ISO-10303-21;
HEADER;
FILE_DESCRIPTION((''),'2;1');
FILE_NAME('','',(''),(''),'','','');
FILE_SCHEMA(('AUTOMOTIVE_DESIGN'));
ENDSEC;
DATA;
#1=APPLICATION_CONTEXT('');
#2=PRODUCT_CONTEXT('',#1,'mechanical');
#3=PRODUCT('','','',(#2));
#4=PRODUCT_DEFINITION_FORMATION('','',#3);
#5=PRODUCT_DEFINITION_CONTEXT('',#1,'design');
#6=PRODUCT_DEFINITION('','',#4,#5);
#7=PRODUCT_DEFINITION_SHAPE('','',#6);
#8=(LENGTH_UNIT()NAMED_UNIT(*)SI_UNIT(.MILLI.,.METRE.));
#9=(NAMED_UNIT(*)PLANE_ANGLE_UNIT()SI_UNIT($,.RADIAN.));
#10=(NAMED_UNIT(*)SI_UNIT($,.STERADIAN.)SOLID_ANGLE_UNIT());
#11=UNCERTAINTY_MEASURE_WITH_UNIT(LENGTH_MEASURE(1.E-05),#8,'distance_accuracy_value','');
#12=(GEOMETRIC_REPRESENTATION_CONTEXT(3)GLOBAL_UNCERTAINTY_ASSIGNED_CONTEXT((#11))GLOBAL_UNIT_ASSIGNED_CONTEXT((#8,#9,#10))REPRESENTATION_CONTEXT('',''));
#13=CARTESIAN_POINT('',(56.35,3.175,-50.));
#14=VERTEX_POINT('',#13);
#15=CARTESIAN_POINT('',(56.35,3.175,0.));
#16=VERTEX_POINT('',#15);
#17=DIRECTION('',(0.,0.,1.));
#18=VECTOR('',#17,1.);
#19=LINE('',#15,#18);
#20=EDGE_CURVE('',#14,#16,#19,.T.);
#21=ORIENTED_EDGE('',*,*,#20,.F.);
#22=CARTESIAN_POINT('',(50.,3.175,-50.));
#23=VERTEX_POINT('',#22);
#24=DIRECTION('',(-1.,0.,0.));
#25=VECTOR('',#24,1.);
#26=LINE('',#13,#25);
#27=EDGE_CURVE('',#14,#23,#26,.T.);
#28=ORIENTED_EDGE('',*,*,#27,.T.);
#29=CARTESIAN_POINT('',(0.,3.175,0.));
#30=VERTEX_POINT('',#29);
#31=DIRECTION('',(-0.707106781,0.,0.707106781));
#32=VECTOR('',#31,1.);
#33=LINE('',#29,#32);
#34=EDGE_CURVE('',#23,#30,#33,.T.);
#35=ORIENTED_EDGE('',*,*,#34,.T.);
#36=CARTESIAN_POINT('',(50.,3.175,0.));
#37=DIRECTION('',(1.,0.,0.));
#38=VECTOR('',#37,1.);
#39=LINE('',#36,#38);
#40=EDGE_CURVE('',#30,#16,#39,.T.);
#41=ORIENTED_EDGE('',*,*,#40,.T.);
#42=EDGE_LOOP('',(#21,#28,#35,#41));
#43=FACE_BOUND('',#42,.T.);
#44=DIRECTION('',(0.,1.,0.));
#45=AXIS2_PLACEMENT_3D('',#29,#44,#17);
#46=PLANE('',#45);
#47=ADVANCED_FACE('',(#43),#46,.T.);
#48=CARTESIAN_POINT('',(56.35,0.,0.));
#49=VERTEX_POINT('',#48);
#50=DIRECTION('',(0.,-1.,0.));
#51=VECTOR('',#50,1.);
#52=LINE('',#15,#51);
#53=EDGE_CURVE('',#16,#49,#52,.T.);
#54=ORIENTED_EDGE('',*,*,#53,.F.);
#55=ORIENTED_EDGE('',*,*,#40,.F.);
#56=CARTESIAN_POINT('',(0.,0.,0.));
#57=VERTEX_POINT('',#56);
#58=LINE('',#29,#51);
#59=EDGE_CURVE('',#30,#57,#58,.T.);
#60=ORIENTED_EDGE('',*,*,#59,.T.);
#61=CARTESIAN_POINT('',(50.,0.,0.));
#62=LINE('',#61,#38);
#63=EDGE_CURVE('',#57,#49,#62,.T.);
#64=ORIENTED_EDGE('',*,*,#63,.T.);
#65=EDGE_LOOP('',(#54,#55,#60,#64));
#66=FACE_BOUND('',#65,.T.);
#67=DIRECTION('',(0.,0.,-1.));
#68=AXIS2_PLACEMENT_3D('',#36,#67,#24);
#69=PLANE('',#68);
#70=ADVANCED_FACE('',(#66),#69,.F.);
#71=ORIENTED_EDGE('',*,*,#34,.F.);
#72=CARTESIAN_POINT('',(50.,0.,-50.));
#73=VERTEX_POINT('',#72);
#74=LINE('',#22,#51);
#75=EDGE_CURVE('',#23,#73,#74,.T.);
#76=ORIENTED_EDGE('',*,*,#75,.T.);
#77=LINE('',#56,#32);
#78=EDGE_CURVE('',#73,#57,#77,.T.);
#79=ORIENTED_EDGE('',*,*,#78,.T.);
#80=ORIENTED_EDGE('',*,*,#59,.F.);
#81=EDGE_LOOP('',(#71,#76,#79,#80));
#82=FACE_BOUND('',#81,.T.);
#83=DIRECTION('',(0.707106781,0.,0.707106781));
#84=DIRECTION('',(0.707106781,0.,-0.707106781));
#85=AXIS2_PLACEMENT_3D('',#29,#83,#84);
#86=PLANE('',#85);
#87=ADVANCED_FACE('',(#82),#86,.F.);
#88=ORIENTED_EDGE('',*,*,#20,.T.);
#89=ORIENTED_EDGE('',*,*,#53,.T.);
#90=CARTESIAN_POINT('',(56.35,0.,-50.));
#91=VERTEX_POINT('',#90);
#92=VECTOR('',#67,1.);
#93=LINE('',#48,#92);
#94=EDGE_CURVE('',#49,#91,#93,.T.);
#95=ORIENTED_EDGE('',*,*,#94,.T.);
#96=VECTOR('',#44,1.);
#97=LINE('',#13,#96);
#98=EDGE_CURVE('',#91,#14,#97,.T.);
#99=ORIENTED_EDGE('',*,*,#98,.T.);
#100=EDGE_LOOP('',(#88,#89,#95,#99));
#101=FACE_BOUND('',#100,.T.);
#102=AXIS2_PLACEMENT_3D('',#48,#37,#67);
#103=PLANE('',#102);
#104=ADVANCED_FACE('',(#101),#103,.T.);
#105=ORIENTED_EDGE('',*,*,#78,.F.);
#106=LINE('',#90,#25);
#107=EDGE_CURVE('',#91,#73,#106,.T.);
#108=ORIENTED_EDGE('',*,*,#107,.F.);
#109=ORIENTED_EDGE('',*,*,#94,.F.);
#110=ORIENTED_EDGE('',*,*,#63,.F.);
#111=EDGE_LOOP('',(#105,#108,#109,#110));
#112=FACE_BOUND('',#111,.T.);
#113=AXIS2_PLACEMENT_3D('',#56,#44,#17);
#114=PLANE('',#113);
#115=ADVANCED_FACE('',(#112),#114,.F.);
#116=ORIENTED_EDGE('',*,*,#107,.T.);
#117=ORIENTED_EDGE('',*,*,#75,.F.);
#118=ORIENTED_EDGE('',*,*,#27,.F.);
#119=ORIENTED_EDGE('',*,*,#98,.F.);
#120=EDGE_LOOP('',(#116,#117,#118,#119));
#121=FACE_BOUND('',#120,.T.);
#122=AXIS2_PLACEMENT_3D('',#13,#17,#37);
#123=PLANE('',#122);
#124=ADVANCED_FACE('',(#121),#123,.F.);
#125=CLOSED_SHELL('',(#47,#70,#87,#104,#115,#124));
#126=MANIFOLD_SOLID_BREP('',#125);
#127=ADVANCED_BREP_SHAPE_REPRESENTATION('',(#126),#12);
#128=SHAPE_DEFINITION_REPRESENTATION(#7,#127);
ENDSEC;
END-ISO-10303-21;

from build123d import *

# Parameters (mm, degrees)
BOSS_EXTRUDE1_DEPTH = 3.175
SKETCH2_W           = 50
SKETCH2_H           = 3.175
BOSS_EXTRUDE2_DEPTH = 6.35


with BuildPart() as part:
    # Sketch1 → Boss-Extrude1 (new body)
    with BuildSketch(Plane(origin=(0, 0, 0), x_dir=(1, 0, 0), z_dir=(0, 1, 0))):
        Polygon((0, 0), (50, 50), (50, 0), align=None)
    extrude(amount=BOSS_EXTRUDE1_DEPTH)

    # Sketch2 → Boss-Extrude2 (add)
    with BuildSketch(Plane(origin=(50, 0, 0), x_dir=(0, 0, -1), z_dir=(1, 0, 0))):
        with Locations((25, 1.5875)):
            Rectangle(SKETCH2_W, SKETCH2_H)
    extrude(amount=BOSS_EXTRUDE2_DEPTH)


solid = part.part
